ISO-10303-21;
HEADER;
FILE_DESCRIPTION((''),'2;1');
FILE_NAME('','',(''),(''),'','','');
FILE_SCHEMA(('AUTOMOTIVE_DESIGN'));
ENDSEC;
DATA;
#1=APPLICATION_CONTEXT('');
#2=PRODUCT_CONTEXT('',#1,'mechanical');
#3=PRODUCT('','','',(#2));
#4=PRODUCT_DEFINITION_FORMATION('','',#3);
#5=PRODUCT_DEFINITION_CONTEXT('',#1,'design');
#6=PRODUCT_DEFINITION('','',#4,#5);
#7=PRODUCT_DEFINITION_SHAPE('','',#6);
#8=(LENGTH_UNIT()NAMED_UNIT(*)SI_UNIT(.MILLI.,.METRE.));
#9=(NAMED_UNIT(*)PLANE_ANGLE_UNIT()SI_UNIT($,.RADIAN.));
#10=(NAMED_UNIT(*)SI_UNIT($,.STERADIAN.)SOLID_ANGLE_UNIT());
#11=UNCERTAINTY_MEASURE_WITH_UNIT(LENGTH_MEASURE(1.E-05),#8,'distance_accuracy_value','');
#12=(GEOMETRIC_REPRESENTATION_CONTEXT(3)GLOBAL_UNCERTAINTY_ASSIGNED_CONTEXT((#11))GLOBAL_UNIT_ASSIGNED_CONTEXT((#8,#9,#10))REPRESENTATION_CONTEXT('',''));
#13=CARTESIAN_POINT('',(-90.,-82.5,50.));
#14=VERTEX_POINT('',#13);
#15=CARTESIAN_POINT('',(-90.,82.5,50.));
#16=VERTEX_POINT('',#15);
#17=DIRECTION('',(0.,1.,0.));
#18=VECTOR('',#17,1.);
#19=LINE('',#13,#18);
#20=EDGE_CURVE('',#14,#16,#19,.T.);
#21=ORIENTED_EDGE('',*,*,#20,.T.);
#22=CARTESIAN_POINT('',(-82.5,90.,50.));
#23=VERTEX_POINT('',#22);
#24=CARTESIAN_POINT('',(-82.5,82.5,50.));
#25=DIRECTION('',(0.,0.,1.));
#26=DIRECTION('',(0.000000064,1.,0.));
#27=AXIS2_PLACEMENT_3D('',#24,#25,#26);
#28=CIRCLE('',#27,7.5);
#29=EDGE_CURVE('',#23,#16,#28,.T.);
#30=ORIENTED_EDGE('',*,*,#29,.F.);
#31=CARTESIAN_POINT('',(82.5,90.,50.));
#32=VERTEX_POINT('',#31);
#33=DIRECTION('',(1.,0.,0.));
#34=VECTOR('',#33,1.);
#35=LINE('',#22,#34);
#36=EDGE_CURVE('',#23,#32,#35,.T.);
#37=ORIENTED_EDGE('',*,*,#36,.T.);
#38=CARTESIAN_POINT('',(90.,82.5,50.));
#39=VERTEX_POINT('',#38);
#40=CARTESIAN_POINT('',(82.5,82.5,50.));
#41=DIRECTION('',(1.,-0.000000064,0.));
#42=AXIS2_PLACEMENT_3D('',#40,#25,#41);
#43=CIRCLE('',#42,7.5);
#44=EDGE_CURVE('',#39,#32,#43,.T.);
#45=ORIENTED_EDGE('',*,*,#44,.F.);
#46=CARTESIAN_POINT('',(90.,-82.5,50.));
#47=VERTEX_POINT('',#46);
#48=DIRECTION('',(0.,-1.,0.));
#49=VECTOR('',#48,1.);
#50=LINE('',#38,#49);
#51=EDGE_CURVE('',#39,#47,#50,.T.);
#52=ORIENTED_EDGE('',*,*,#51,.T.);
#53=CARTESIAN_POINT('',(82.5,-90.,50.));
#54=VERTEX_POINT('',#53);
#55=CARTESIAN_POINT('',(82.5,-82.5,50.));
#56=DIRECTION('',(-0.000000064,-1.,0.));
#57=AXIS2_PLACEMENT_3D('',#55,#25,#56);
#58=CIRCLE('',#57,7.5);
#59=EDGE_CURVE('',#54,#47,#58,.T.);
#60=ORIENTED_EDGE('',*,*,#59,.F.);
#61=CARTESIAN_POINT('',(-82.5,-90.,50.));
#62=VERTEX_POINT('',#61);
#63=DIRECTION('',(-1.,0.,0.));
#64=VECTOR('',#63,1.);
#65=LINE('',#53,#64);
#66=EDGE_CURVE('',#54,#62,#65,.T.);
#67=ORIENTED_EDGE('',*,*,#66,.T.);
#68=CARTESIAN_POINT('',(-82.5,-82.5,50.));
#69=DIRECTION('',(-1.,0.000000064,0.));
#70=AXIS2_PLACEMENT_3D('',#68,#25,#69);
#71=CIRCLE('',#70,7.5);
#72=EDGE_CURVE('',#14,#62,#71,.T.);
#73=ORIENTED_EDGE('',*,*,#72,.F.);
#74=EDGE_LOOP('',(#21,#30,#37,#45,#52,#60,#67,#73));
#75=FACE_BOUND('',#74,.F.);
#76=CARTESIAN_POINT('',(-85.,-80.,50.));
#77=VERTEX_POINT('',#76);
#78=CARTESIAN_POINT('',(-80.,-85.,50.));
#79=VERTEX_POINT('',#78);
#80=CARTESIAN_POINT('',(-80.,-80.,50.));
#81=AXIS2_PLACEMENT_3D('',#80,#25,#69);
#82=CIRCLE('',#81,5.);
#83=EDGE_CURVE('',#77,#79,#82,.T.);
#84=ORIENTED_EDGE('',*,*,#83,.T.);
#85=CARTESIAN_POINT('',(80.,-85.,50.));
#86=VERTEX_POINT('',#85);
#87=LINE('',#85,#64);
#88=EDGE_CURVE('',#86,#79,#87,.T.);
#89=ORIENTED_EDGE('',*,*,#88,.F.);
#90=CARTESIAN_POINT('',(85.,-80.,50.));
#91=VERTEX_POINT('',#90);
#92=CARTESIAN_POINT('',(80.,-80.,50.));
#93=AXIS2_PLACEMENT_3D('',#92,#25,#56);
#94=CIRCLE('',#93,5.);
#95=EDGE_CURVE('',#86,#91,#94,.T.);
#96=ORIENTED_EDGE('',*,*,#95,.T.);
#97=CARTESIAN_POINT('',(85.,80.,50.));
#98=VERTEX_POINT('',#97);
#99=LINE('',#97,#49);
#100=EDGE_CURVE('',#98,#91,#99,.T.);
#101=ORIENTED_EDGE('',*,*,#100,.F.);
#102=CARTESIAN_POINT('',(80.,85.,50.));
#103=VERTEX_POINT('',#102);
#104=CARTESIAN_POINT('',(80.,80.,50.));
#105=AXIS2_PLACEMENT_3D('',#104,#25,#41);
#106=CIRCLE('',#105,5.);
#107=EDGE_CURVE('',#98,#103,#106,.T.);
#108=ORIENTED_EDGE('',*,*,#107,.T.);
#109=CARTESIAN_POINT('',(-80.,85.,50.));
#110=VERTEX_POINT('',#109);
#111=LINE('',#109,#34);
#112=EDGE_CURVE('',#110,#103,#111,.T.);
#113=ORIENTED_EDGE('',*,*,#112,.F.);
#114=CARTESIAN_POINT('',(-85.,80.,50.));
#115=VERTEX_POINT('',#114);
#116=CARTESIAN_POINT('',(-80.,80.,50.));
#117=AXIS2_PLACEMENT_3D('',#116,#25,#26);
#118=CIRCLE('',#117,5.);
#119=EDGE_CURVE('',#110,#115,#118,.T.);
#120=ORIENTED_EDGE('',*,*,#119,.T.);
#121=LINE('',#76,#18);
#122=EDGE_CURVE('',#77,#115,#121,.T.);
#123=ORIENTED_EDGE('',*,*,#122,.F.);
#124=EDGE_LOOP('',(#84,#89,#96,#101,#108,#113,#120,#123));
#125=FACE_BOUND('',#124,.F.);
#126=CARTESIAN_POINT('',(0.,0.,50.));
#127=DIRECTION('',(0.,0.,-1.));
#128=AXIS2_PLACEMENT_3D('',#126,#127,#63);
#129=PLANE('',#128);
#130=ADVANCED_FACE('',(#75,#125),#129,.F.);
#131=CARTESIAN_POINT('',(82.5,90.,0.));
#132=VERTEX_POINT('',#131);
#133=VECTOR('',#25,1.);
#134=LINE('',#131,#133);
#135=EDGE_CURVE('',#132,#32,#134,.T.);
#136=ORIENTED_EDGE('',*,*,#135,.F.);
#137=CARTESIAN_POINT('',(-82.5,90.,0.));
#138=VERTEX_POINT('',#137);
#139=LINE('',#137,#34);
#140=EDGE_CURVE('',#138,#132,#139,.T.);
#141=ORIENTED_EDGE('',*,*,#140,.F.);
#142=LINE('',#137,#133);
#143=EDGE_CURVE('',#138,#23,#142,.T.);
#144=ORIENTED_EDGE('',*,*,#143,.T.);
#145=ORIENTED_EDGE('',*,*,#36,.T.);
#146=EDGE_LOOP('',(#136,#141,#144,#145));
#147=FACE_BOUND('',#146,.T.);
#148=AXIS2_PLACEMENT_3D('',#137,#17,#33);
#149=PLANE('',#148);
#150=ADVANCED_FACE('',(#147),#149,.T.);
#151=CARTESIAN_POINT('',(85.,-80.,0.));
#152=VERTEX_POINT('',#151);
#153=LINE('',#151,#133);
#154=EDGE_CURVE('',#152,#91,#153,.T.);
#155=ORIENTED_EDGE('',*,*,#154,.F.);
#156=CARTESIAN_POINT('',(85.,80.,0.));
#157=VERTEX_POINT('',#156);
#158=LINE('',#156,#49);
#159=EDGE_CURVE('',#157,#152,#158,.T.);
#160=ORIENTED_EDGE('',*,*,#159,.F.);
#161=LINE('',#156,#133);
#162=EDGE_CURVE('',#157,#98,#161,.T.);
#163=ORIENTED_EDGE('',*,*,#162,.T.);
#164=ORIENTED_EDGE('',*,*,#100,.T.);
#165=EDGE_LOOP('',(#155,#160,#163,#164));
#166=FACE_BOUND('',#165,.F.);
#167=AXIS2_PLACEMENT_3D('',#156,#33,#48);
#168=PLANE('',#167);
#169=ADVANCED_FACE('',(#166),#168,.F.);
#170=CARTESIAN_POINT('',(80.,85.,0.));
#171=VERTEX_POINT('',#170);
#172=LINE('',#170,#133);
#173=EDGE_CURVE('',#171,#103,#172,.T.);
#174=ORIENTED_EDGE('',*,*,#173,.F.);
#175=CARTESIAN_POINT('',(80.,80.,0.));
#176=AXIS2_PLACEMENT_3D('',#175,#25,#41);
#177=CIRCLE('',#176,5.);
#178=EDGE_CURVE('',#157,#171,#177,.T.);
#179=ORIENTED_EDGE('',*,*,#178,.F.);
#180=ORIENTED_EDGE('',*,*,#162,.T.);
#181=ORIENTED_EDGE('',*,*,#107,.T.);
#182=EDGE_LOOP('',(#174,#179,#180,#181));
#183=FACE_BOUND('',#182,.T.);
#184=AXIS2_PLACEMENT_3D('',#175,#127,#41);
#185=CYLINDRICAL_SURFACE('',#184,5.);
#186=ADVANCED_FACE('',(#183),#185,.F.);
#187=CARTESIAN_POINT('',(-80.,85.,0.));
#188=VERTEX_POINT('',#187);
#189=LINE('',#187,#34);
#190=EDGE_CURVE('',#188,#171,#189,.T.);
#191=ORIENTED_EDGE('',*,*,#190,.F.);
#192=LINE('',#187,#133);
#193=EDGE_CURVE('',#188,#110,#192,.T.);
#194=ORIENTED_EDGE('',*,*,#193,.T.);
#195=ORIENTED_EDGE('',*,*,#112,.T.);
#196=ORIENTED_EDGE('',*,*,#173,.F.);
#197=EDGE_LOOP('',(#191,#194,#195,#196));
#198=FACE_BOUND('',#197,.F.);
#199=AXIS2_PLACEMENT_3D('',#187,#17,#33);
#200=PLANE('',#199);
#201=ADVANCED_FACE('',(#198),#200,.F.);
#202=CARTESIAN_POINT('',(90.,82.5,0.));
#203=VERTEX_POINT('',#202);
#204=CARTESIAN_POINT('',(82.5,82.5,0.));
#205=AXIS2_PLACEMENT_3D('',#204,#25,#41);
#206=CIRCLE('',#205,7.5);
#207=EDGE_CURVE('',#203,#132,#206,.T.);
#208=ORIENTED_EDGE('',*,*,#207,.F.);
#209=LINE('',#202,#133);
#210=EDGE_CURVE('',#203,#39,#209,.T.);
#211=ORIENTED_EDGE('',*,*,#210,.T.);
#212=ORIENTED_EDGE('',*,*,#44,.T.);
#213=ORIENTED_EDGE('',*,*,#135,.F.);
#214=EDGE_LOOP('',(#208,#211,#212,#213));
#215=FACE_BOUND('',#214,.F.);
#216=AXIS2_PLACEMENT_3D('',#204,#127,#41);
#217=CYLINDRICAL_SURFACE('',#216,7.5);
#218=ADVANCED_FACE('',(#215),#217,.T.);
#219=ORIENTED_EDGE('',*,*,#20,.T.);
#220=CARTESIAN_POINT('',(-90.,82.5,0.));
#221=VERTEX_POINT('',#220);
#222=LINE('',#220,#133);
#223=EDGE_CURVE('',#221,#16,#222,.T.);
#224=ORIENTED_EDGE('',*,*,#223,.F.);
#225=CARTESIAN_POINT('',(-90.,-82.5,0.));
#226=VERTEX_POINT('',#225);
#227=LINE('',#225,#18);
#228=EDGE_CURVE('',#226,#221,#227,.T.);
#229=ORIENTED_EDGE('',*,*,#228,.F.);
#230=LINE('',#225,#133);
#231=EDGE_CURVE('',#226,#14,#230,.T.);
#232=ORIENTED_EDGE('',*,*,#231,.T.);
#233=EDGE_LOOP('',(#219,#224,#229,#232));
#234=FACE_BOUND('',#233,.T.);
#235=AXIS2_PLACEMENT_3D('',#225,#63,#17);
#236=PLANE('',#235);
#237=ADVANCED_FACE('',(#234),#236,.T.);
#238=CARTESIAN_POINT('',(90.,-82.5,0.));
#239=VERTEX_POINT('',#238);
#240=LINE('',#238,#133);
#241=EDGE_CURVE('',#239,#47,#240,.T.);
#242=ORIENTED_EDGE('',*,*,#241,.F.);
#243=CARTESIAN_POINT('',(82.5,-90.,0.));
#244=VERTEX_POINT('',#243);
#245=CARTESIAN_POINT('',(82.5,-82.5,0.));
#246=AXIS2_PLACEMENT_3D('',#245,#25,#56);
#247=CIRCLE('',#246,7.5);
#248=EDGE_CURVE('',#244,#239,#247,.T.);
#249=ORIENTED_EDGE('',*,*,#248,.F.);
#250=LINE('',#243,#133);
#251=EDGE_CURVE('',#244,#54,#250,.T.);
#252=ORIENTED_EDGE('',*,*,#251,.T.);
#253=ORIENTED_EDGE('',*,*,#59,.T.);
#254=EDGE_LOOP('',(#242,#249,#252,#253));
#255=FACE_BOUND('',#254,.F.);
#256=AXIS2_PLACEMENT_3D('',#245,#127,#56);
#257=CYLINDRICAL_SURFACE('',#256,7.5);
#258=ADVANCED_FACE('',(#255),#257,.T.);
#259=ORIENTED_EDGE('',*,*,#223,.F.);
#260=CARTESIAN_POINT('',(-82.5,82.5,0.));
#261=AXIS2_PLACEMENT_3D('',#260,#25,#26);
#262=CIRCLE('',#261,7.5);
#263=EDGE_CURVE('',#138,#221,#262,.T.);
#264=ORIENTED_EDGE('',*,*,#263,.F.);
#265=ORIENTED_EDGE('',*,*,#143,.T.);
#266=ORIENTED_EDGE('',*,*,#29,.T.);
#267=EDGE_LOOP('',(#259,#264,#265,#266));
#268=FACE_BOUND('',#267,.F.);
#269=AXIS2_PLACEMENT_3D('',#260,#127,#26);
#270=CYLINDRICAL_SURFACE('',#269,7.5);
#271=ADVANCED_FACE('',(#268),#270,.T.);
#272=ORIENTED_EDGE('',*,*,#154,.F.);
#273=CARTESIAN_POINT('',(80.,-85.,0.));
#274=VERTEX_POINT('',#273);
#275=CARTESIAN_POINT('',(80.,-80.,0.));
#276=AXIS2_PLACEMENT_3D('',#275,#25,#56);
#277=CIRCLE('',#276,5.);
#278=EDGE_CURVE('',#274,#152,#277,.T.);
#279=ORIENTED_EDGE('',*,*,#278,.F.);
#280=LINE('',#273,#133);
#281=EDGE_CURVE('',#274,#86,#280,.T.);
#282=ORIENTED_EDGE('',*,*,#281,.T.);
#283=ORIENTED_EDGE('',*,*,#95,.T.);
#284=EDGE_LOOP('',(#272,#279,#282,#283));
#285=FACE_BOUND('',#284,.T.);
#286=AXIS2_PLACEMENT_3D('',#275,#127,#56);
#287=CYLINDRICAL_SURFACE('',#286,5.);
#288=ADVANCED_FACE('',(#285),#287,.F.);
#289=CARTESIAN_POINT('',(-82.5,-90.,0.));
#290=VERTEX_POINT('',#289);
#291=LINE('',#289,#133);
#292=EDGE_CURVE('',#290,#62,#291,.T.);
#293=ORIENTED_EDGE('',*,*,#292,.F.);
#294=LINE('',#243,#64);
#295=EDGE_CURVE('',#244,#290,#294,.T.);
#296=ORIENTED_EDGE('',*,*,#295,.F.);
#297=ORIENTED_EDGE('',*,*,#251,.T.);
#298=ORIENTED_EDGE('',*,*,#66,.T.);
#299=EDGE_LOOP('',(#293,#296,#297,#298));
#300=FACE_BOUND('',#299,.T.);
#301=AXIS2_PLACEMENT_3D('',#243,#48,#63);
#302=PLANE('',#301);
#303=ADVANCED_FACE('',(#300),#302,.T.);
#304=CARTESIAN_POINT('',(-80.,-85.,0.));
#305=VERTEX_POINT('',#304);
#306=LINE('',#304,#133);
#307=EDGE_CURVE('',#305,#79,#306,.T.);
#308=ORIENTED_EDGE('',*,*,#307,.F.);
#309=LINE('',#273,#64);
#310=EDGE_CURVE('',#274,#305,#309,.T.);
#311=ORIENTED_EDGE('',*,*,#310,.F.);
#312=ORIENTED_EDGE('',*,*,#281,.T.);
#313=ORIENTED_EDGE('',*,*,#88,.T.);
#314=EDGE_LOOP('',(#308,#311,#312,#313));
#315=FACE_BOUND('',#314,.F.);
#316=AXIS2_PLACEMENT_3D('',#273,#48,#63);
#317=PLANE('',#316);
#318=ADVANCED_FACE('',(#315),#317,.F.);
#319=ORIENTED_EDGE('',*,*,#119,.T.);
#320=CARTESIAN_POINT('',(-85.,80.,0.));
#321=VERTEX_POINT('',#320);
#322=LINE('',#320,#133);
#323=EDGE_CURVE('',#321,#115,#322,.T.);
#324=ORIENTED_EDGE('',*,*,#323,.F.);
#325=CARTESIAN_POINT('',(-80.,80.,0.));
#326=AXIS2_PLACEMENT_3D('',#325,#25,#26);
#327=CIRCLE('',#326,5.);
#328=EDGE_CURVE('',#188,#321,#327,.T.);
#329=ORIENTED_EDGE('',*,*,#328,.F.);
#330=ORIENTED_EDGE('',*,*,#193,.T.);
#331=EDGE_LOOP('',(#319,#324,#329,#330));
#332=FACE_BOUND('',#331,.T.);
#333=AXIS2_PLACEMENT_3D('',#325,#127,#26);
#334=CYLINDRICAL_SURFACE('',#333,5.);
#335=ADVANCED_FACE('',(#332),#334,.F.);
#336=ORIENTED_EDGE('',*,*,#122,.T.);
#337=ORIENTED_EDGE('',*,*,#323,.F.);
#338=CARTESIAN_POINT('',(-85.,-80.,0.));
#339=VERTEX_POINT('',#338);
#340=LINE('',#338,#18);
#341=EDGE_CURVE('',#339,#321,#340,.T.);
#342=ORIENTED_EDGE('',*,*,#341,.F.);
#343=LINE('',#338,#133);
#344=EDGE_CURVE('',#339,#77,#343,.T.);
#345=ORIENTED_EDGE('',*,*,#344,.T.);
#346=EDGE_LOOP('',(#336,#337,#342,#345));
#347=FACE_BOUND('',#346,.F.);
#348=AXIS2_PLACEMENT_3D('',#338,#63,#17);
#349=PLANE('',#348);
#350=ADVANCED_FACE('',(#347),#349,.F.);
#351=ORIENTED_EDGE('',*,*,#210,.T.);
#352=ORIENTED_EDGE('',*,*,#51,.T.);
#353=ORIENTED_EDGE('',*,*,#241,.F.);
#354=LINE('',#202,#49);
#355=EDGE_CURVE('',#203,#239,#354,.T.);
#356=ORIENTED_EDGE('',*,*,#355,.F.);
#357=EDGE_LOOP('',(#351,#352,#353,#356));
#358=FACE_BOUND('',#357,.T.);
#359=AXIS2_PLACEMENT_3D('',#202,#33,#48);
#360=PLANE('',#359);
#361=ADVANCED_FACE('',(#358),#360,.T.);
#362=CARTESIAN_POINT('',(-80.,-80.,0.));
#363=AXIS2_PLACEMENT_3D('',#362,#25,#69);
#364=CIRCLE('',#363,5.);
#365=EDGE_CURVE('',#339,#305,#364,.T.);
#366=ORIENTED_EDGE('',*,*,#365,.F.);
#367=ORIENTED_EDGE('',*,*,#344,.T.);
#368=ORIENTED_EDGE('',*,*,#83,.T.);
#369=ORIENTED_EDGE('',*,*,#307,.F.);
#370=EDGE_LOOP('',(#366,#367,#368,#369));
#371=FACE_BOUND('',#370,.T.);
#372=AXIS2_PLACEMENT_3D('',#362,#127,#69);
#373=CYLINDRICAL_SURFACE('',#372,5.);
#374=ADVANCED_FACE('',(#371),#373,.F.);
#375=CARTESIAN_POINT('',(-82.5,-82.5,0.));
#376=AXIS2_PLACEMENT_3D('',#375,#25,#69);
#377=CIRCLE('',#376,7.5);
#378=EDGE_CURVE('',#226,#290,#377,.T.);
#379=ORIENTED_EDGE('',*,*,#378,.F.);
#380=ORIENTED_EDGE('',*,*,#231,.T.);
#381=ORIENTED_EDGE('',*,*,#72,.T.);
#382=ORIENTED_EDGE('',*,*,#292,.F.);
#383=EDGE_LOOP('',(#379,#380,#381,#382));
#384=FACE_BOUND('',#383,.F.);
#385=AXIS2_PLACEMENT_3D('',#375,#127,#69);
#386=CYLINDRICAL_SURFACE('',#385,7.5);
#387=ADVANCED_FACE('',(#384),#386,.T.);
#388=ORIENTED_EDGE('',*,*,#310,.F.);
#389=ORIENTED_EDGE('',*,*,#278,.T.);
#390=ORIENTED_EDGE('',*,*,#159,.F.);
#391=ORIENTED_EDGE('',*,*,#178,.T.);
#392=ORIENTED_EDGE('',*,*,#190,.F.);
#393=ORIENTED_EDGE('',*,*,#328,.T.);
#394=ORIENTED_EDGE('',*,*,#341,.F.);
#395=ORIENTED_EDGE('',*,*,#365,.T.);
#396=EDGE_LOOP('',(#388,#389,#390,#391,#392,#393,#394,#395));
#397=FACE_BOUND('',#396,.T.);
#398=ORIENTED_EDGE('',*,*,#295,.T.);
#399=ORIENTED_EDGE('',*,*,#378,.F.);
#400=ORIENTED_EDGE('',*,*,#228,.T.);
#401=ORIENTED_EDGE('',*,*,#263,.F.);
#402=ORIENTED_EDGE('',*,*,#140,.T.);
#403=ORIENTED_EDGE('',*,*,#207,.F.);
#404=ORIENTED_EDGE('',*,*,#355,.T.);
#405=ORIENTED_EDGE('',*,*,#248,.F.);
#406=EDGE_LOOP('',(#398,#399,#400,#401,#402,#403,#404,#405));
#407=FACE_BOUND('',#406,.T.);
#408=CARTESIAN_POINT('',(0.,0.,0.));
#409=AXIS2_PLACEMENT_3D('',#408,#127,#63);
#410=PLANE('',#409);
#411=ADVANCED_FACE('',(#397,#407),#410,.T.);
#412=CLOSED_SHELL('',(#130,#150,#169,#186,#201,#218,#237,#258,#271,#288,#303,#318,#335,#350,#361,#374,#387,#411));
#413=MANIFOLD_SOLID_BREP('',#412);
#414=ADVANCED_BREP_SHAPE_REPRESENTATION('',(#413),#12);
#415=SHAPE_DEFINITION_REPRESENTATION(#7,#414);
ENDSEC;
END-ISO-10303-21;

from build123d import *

# Parameters (mm, degrees)
EXTRUDE_DEPTH = 50


with BuildPart() as part:
    # Sketch → Extrude (new body)
    with BuildSketch(Plane.XY):
        with BuildLine():
            Line((-82.5, 90), (82.5, 90))
            ThreePointArc((90, 82.5), (87.803301, 87.803301), (82.5, 90))
            Line((90, 82.5), (90, -82.5))
            ThreePointArc((82.5, -90), (87.803301, -87.803301), (90, -82.5))
            Line((82.5, -90), (-82.5, -90))
            ThreePointArc((-90, -82.5), (-87.803301, -87.803301), (-82.5, -90))
            Line((-90, -82.5), (-90, 82.5))
            ThreePointArc((-82.5, 90), (-87.803301, 87.803301), (-90, 82.5))
        make_face()
        with BuildLine():
            Line((-80, 85), (80, 85))
            ThreePointArc((85, 80), (83.535534, 83.535534), (80, 85))
            Line((85, 80), (85, -80))
            ThreePointArc((80, -85), (83.535534, -83.535534), (85, -80))
            Line((80, -85), (-80, -85))
            ThreePointArc((-85, -80), (-83.535534, -83.535534), (-80, -85))
            Line((-85, -80), (-85, 80))
            ThreePointArc((-80, 85), (-83.535534, 83.535534), (-85, 80))
        make_face(mode=Mode.SUBTRACT)
    extrude(amount=EXTRUDE_DEPTH)


solid = part.part
